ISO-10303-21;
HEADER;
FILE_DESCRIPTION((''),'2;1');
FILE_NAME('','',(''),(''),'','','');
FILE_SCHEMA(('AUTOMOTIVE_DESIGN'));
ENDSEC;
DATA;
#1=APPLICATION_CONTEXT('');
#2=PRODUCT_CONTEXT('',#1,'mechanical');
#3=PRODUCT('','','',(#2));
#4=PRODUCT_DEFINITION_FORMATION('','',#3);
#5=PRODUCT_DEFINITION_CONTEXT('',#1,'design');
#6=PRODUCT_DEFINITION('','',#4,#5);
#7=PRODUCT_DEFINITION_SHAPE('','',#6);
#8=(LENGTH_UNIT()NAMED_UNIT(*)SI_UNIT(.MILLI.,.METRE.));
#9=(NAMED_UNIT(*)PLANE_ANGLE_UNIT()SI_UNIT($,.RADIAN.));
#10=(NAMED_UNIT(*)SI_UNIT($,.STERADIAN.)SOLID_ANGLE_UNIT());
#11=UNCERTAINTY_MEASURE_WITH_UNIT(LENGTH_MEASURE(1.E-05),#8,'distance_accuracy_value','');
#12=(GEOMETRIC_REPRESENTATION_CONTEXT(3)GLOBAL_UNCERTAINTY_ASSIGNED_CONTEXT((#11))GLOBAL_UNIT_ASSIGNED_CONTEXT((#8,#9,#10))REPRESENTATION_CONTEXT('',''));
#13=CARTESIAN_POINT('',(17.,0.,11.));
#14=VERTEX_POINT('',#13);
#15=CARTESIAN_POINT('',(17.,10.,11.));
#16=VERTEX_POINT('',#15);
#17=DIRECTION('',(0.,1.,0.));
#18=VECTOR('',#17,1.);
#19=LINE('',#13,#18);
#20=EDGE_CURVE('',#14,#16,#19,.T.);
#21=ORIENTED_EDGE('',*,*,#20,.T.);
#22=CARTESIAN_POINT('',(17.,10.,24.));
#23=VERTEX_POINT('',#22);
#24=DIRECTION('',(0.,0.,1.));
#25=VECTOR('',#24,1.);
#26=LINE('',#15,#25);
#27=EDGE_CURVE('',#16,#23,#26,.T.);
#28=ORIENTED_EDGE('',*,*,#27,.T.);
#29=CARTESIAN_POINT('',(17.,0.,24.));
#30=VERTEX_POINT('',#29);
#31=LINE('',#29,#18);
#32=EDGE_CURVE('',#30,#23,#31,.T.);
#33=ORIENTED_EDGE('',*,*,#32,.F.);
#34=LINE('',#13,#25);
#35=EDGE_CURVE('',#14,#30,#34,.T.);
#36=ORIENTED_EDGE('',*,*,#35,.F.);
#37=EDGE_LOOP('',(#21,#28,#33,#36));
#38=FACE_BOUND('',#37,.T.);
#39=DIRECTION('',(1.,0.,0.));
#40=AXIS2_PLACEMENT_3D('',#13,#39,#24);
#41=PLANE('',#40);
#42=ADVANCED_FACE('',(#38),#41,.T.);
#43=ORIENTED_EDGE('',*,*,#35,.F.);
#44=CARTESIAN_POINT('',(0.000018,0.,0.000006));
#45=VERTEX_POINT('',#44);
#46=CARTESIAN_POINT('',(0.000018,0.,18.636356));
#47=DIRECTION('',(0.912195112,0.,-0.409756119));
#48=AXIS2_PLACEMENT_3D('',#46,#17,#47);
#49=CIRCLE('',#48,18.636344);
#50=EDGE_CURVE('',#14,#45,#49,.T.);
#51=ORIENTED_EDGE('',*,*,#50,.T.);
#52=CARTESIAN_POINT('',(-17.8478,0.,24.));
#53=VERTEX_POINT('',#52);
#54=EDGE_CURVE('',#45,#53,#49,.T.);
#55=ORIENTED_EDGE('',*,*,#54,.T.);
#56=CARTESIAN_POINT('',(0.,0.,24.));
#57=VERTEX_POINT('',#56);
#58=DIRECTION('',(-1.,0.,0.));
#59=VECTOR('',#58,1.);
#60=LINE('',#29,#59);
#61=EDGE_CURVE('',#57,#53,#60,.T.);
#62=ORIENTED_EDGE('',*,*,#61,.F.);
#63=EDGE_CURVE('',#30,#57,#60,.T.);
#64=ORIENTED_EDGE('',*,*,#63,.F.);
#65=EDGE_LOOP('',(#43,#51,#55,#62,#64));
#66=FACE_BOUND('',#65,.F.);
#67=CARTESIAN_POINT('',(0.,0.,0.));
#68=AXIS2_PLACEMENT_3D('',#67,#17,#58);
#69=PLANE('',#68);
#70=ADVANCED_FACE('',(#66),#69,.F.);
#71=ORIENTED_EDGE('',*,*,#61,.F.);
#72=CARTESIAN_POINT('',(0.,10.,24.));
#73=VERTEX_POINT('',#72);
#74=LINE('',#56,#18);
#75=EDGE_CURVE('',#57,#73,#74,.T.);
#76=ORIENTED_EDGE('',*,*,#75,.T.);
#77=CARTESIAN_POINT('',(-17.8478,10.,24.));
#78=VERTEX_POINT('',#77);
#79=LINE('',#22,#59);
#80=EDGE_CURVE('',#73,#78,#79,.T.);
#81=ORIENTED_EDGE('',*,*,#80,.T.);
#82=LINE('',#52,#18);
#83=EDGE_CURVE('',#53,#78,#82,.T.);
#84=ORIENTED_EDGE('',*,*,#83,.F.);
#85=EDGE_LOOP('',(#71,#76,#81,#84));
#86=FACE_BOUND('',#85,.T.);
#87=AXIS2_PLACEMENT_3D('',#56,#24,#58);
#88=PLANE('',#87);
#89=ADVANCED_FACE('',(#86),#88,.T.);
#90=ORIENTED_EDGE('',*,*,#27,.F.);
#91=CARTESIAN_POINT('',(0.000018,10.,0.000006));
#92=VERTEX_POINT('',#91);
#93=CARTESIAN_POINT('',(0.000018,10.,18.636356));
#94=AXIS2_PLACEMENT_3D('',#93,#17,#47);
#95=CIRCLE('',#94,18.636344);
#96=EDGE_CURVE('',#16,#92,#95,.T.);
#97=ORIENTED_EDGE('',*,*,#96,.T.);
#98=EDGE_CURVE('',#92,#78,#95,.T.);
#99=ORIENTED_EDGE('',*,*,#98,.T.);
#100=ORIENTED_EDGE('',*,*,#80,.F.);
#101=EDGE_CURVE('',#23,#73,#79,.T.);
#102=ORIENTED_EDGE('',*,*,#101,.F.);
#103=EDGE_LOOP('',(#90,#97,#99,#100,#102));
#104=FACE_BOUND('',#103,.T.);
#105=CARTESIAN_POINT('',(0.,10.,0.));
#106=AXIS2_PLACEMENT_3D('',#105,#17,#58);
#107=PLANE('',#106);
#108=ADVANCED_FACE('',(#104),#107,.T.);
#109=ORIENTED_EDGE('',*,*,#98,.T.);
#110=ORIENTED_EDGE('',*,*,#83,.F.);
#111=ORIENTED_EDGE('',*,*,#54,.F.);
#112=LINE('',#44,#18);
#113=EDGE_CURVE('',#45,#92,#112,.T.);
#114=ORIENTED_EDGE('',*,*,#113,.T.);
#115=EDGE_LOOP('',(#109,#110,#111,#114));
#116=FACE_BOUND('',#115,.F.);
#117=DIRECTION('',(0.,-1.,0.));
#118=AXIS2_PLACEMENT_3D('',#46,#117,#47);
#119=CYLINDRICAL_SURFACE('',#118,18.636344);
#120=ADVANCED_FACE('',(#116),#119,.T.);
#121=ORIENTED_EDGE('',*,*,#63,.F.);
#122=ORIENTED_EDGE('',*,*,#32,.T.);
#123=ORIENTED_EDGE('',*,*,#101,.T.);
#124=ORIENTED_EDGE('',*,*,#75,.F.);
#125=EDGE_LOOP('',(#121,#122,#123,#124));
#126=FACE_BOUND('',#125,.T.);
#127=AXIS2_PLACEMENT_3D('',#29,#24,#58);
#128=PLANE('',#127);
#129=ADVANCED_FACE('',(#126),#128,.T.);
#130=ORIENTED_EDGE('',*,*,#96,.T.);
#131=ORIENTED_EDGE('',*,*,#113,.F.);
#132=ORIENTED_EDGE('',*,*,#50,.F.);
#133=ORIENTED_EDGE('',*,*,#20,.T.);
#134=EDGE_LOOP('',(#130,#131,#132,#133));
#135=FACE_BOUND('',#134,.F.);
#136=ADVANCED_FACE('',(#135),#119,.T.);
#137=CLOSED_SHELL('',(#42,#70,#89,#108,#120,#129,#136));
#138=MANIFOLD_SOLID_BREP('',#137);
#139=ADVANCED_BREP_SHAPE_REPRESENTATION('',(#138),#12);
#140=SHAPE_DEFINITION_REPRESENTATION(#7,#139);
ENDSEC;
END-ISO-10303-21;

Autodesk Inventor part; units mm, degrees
ref_plane "YZ Plane" through (0, 0, 0) normal (1, 0, 0) x (0, 1, 0)
ref_plane "XZ Plane" through (0, 0, 0) normal (0, 1, 0) x (-1, 0, 0)
ref_plane "XY Plane" through (0, 0, 0) normal (0, 0, 1) x (1, 0, 0)
sketch "Sketch2" plane through (0, 0, 0) normal (0, 1, 0) x (-1, 0, 0)
  line L0 (-27.2, 0) -> (20.4, 0) projected
  line L1 (0, 8.6664) -> (0, 28.1819) projected
  line L2 (-17, 11) -> (-17, 24)
  line L3 (-17, 24) -> (17.8478, 24)
  arc A0 (-17, 11) -> (17.8478, 24) centre (0, 18.6364) ccw
  dimension "d1" = 24
  dimension "d2" = 18.6364
  dimension "d3" = 17
  dimension "d4" = 18.6364
extrude "Extrusion1" add sketch "Sketch2" along normal blind 10
